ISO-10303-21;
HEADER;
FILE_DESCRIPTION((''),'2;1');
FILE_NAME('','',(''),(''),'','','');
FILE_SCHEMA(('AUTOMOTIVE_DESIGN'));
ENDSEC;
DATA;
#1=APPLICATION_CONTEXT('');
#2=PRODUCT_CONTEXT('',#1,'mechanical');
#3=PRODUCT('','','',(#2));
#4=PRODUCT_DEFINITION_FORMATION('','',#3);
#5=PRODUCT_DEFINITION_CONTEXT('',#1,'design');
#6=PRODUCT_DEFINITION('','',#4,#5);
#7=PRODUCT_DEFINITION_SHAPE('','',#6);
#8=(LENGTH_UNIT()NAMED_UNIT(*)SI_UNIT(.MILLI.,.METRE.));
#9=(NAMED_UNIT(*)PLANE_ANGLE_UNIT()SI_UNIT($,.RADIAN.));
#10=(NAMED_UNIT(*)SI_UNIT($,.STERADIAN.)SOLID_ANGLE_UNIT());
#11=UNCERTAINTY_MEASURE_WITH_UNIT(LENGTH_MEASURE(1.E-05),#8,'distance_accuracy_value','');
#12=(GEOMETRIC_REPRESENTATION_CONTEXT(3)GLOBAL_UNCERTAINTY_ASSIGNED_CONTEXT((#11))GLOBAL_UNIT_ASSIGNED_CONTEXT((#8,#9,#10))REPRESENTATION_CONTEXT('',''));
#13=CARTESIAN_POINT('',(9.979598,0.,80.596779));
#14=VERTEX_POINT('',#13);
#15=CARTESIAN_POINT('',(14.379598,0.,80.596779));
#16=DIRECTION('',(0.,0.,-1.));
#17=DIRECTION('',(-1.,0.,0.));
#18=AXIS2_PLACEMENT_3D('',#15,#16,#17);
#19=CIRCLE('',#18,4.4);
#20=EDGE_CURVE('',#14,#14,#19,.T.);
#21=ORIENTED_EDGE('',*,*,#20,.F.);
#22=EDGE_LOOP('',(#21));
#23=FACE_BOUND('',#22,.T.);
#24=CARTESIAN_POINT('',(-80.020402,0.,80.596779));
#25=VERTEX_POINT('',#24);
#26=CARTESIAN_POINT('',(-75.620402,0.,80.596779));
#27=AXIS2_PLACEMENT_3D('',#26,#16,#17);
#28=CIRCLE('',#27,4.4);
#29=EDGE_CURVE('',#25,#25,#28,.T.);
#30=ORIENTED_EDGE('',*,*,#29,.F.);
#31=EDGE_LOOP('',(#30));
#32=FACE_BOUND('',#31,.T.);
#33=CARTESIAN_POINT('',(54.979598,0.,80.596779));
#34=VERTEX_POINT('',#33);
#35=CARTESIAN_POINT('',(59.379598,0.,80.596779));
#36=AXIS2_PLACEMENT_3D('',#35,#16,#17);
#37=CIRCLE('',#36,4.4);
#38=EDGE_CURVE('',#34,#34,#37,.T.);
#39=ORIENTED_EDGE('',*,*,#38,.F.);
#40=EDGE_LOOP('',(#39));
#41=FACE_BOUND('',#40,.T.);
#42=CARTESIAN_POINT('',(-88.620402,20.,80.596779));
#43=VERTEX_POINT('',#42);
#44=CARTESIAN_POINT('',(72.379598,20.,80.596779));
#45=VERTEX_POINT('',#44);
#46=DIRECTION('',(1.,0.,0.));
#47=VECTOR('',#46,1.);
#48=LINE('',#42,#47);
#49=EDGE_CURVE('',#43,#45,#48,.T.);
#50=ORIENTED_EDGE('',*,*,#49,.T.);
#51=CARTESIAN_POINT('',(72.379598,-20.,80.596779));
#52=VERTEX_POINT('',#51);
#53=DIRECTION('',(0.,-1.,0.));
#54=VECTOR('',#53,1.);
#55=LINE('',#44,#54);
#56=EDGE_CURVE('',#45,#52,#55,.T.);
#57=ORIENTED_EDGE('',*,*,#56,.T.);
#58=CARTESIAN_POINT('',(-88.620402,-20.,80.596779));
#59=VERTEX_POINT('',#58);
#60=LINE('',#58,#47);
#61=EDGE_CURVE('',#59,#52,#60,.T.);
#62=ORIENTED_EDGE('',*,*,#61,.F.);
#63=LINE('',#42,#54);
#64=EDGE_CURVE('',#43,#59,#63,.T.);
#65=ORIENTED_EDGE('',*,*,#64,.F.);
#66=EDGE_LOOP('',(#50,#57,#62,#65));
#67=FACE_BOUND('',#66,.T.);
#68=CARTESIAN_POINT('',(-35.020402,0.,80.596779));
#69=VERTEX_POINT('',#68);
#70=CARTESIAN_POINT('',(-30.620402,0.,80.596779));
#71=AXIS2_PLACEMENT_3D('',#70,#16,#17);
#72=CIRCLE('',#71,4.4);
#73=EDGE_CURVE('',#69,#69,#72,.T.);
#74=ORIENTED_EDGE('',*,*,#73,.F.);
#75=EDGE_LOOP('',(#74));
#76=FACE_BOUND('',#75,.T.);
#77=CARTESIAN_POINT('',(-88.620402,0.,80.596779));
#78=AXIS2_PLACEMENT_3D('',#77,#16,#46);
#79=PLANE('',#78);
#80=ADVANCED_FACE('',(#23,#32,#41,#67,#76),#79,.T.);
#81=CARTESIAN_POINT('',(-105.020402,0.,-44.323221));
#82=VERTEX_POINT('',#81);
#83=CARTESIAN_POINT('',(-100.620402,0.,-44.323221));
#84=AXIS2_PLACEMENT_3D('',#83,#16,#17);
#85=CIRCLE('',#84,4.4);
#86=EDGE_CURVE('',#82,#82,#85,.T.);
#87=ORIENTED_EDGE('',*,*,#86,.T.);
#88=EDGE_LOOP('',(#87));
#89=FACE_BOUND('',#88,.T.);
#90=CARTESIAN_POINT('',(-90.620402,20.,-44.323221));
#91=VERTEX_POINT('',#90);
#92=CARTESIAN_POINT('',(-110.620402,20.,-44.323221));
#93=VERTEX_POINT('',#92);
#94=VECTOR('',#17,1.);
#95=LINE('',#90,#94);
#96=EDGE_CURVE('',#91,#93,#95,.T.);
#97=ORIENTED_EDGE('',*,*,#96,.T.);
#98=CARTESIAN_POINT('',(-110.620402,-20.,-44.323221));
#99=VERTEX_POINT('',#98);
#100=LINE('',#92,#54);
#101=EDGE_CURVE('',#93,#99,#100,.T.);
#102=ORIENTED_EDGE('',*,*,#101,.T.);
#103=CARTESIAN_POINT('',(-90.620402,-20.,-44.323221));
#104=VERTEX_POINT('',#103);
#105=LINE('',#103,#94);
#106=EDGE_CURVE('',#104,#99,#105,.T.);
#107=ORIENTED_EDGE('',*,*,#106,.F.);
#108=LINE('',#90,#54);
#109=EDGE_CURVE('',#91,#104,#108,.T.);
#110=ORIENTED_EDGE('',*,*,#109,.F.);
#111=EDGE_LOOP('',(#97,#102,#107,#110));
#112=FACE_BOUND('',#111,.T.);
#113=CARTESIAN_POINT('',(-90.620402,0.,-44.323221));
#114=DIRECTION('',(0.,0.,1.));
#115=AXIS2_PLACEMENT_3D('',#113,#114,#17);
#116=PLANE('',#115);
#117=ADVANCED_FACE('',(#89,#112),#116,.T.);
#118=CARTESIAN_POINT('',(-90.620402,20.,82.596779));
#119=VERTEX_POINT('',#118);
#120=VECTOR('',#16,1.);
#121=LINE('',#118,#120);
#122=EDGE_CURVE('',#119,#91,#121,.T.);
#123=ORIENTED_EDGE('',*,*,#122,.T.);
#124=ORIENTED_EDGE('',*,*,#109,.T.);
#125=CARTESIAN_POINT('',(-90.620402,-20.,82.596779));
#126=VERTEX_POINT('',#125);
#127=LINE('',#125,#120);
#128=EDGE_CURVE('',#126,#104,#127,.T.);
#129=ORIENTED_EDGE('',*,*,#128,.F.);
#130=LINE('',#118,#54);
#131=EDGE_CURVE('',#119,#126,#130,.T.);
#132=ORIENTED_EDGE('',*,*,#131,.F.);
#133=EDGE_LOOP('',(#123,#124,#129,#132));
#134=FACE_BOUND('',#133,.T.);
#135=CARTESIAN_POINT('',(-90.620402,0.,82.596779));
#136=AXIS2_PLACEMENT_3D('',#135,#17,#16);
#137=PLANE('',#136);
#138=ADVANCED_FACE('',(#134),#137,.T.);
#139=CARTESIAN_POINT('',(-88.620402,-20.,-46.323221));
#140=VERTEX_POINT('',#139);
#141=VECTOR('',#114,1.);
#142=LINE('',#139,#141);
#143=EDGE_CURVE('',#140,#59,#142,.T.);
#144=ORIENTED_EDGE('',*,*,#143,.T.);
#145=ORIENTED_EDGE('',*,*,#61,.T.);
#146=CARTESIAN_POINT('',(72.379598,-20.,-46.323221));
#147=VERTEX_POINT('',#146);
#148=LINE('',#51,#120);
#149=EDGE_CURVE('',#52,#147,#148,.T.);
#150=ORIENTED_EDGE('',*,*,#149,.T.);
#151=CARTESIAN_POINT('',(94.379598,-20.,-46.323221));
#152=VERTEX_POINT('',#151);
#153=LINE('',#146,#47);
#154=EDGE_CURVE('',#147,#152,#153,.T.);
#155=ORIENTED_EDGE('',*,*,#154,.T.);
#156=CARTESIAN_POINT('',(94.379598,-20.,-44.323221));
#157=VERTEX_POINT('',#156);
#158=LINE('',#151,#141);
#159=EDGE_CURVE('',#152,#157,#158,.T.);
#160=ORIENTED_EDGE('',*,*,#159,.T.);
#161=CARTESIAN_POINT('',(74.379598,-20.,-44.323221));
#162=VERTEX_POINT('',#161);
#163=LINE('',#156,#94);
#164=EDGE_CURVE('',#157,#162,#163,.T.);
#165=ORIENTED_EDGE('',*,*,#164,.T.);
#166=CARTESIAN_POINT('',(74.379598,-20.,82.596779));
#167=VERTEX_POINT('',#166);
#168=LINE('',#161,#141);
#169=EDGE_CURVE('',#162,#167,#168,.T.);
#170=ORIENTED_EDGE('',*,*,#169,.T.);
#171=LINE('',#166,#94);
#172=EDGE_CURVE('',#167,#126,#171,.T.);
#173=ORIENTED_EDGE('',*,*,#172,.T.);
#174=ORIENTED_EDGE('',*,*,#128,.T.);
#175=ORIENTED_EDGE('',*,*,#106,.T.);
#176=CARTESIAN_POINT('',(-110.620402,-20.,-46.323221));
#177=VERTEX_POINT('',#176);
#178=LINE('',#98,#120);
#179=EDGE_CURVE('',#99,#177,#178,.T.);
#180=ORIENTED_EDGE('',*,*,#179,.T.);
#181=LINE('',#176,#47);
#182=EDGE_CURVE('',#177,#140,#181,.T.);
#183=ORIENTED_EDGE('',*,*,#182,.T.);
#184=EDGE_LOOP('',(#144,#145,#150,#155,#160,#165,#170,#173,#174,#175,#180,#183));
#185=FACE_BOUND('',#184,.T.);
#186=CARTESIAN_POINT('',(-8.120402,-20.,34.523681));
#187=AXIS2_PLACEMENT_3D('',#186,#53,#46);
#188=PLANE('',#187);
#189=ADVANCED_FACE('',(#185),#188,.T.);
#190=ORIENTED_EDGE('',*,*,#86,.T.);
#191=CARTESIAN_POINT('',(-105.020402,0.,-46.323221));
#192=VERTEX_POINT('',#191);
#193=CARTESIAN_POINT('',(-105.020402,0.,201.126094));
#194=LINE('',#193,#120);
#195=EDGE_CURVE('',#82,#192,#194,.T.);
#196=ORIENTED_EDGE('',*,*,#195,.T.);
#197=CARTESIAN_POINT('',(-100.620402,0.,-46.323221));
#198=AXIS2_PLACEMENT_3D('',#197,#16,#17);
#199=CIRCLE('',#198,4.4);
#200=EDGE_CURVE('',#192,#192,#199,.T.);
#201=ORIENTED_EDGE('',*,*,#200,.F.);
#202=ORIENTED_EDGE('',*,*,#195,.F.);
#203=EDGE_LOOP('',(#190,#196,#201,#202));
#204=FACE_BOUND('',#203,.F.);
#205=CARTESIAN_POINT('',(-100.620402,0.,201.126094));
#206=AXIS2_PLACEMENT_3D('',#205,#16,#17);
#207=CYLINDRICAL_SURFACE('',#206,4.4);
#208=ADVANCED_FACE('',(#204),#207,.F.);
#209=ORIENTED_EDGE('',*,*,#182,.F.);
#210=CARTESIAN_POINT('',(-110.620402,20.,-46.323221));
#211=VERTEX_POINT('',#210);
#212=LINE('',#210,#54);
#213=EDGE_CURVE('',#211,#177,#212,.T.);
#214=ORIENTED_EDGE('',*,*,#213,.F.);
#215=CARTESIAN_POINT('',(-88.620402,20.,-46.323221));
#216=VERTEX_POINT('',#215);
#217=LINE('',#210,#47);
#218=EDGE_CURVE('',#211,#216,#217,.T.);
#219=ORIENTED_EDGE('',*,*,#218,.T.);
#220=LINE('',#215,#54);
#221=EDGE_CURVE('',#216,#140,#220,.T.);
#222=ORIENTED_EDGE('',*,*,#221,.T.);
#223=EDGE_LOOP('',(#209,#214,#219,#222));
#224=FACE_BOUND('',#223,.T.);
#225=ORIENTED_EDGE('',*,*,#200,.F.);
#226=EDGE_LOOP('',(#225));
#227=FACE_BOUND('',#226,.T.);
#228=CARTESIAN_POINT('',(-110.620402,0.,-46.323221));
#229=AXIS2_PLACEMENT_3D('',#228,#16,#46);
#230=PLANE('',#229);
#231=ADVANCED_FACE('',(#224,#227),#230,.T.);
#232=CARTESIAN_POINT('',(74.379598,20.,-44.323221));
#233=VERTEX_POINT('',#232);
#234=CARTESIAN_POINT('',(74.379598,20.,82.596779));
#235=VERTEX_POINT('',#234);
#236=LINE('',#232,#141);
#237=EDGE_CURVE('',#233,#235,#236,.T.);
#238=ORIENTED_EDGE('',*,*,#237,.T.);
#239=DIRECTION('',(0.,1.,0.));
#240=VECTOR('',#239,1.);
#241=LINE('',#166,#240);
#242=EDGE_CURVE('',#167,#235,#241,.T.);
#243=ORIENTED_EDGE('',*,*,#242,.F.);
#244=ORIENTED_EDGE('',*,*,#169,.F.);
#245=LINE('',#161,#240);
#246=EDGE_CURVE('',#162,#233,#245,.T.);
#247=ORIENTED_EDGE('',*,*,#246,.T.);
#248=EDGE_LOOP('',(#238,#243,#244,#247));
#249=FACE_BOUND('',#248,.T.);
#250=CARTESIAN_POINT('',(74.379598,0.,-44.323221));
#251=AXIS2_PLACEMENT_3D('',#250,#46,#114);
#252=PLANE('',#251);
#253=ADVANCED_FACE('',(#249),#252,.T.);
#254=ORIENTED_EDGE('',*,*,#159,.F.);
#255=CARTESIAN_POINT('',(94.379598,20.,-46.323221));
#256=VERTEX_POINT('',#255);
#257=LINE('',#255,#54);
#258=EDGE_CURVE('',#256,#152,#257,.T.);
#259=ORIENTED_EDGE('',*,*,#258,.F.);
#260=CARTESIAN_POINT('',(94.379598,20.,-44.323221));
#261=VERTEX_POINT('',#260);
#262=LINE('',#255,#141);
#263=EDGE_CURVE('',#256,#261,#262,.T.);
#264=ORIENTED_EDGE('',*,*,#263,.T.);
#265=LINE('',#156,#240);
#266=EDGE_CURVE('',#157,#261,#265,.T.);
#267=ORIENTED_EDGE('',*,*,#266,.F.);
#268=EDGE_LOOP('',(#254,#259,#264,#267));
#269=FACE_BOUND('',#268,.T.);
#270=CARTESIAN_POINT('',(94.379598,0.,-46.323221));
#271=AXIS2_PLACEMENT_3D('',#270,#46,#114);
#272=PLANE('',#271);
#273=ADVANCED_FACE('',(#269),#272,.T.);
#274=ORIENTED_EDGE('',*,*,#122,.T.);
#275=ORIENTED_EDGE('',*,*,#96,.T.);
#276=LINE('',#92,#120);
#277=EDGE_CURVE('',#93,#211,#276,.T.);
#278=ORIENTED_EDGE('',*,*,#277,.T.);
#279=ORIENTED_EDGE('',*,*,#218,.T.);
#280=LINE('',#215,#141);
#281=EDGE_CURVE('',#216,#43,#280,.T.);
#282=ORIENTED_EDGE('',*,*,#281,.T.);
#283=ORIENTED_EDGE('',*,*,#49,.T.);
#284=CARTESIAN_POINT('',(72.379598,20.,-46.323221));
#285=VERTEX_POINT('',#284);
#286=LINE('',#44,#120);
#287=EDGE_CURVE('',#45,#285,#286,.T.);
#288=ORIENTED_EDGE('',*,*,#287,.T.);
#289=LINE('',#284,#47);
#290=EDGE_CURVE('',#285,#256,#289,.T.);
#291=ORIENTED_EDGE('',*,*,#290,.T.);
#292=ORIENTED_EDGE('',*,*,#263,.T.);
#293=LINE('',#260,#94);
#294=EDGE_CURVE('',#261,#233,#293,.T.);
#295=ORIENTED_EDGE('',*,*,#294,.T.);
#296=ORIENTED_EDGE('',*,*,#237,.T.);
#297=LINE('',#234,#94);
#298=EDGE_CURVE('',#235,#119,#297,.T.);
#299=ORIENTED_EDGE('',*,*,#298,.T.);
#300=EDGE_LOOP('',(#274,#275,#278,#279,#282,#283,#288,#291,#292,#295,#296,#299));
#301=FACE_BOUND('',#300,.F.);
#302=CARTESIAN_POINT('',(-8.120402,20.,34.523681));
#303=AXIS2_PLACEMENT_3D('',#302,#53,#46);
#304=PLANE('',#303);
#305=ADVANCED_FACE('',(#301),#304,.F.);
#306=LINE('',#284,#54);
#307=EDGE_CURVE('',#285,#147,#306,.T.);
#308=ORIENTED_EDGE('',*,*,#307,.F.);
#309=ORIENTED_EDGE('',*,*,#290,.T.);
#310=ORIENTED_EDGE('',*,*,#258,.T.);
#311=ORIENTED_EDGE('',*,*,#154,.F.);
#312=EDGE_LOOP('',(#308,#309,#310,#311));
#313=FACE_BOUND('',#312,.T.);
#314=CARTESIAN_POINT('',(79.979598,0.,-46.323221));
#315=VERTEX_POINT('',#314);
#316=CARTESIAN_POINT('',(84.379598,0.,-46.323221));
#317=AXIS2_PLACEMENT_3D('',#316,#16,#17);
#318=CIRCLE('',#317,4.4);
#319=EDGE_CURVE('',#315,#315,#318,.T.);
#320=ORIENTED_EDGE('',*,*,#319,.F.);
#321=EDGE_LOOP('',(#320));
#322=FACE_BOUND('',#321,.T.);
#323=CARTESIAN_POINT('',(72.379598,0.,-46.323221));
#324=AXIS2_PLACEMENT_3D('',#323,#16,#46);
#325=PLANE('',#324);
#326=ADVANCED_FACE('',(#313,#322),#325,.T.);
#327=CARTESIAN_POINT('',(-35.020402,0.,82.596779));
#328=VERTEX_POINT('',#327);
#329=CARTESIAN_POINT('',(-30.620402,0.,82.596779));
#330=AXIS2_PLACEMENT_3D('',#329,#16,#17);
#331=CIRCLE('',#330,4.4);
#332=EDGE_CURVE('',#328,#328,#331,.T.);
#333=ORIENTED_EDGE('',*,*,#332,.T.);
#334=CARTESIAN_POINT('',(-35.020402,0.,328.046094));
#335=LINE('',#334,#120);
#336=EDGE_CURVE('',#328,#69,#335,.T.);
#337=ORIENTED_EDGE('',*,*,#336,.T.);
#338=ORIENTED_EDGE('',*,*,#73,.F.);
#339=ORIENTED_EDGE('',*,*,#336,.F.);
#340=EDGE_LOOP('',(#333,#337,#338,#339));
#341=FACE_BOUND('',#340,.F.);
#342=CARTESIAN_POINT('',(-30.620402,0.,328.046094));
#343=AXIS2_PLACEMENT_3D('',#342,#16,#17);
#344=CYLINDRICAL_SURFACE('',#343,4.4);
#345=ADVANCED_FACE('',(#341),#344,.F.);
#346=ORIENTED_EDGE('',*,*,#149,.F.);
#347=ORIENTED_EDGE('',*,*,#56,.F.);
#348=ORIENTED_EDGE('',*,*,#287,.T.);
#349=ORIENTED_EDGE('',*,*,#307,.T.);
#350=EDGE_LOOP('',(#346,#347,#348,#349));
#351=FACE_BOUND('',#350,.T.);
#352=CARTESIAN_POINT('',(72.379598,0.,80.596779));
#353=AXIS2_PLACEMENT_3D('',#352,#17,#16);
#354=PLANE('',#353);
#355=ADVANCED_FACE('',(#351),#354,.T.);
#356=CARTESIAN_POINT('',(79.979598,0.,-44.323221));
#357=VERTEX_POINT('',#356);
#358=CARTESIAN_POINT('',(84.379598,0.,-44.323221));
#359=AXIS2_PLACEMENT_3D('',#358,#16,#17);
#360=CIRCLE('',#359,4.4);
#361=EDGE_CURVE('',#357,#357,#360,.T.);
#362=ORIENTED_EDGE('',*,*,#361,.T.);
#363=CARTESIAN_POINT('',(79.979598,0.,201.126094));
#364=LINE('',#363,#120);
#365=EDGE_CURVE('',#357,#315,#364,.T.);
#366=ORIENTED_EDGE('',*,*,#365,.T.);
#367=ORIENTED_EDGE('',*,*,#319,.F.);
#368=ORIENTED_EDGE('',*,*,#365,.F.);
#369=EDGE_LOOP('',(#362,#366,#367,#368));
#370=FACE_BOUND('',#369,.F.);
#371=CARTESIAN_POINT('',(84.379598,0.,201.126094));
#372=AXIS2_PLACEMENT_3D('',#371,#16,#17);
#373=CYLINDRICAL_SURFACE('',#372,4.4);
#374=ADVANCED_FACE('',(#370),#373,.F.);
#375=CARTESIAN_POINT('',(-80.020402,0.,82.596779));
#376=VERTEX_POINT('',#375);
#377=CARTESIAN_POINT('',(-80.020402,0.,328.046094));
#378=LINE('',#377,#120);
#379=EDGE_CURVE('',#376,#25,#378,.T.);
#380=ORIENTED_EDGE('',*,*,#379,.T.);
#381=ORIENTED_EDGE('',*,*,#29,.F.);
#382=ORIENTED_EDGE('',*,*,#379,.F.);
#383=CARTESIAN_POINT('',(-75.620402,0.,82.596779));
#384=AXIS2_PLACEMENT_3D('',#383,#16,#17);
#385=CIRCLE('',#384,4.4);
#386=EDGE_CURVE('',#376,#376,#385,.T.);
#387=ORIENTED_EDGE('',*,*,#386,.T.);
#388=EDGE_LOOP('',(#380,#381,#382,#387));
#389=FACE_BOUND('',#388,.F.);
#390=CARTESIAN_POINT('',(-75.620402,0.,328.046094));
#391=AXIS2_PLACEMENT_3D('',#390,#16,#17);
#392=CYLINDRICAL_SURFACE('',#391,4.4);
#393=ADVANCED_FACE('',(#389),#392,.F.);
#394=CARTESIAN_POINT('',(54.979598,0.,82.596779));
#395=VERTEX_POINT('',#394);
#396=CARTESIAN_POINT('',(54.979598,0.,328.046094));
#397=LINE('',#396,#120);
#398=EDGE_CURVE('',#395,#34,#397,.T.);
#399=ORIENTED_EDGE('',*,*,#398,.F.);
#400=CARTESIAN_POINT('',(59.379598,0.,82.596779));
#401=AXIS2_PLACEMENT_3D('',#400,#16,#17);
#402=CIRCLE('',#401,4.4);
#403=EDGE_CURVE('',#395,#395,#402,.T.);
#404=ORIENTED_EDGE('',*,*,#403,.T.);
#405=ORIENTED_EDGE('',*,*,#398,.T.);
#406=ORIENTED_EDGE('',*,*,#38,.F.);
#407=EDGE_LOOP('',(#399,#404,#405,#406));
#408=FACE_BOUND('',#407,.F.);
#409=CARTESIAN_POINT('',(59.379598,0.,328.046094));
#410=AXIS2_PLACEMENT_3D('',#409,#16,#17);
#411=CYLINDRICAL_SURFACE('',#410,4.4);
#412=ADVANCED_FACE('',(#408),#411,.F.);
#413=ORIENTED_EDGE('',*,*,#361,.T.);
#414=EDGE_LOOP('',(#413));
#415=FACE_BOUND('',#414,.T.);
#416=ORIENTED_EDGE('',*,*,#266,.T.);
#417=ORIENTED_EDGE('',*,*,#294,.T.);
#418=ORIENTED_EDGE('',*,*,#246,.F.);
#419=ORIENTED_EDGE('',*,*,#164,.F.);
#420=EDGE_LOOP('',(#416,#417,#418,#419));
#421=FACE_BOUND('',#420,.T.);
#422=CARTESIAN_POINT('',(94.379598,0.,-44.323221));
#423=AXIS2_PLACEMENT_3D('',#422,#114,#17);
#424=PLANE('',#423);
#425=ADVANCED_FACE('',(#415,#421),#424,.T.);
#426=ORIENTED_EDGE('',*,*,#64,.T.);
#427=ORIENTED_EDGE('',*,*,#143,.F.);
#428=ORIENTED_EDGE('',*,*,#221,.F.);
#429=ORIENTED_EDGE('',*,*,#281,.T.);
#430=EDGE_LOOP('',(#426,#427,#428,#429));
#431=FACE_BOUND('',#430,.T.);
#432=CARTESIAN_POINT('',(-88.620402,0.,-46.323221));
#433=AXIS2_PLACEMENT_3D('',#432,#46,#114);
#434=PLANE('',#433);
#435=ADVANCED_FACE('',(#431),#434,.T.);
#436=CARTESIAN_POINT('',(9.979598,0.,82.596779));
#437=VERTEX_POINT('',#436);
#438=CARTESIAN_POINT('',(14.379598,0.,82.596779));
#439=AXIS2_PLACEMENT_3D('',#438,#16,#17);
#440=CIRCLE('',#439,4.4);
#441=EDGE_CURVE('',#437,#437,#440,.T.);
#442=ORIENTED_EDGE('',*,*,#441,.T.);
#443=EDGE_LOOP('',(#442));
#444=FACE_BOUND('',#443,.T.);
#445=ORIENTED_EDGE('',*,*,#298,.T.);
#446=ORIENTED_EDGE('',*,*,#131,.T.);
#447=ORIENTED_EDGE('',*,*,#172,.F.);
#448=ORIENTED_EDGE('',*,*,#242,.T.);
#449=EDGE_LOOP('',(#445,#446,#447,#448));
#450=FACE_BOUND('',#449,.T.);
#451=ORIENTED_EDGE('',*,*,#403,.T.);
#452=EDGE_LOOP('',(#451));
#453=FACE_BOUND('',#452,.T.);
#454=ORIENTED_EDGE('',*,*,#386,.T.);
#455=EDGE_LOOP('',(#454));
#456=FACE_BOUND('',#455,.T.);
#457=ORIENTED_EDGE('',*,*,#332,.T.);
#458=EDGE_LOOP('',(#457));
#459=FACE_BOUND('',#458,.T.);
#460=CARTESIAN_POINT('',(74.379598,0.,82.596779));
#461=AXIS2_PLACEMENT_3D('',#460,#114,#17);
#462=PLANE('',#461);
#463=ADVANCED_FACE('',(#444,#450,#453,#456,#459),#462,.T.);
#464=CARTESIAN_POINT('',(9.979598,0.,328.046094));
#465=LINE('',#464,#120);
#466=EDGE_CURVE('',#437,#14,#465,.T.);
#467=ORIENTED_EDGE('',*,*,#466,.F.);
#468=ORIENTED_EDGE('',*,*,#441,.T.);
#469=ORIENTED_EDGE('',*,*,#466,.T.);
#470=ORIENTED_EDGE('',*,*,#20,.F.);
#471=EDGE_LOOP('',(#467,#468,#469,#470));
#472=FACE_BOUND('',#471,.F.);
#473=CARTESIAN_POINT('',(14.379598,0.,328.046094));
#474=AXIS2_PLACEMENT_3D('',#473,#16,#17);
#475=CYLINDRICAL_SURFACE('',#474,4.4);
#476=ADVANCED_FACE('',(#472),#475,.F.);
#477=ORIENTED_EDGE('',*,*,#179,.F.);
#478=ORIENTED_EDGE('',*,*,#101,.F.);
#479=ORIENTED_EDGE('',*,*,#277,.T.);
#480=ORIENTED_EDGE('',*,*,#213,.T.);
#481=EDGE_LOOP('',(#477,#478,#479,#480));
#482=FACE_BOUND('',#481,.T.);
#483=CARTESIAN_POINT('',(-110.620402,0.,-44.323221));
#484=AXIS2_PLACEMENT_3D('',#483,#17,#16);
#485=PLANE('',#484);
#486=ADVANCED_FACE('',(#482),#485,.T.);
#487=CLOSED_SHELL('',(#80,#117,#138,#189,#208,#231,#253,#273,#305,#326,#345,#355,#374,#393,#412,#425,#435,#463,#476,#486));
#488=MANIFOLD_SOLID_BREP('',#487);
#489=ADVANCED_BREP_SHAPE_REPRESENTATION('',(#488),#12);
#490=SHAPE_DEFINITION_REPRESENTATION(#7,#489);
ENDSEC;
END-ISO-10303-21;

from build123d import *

# Parameters (mm, degrees)
F1_DEPTH   = 20
F5_D       = 8.8
F5_ON_F2_D = 8.8
F5_ON_F4_D = 8.8


with BuildPart() as f1:
    # F0 (on Front) → F1 (new body, symmetric)
    with BuildSketch(Plane.XZ):
        Polygon((74.3795982003, 82.5967788231), (-90.6204017997, 82.5967788231), (-90.6204017997, -44.3232211769), (-110.6204017997, -44.3232211769), (-110.6204017997, -46.3232211769), (-88.6204017997, -46.3232211769), (-88.6204017997, 80.5967788231), (-8.1204017997, 80.5967788231), (72.3795982003, 80.5967788231), (72.3795982003, -46.3232211769), (94.3795982003, -46.3232211769), (94.3795982003, -44.3232211769), (74.3795982003, -44.3232211769), align=None)
    extrude(amount=F1_DEPTH, both=True)

    # F5 (through all)
    with Locations(Plane.XY.offset(82.5967788231)):
        with Locations((-75.6204017997, 0), (-30.6204017997, 0), (14.3795982003, 0), (59.3795982003, 0)):
            Hole(F5_D / 2)

    # F5 on F2 (through all)
    with Locations(Plane.XY.offset(-44.3232211769)):
        with Locations((-100.6204017997, 0)):
            Hole(F5_ON_F2_D / 2)

    # F5 on F4 (through all)
    with Locations(Plane.XY.offset(-44.3232211769)):
        with Locations((84.3795982003, 0)):
            Hole(F5_ON_F4_D / 2)


solid = f1.part
